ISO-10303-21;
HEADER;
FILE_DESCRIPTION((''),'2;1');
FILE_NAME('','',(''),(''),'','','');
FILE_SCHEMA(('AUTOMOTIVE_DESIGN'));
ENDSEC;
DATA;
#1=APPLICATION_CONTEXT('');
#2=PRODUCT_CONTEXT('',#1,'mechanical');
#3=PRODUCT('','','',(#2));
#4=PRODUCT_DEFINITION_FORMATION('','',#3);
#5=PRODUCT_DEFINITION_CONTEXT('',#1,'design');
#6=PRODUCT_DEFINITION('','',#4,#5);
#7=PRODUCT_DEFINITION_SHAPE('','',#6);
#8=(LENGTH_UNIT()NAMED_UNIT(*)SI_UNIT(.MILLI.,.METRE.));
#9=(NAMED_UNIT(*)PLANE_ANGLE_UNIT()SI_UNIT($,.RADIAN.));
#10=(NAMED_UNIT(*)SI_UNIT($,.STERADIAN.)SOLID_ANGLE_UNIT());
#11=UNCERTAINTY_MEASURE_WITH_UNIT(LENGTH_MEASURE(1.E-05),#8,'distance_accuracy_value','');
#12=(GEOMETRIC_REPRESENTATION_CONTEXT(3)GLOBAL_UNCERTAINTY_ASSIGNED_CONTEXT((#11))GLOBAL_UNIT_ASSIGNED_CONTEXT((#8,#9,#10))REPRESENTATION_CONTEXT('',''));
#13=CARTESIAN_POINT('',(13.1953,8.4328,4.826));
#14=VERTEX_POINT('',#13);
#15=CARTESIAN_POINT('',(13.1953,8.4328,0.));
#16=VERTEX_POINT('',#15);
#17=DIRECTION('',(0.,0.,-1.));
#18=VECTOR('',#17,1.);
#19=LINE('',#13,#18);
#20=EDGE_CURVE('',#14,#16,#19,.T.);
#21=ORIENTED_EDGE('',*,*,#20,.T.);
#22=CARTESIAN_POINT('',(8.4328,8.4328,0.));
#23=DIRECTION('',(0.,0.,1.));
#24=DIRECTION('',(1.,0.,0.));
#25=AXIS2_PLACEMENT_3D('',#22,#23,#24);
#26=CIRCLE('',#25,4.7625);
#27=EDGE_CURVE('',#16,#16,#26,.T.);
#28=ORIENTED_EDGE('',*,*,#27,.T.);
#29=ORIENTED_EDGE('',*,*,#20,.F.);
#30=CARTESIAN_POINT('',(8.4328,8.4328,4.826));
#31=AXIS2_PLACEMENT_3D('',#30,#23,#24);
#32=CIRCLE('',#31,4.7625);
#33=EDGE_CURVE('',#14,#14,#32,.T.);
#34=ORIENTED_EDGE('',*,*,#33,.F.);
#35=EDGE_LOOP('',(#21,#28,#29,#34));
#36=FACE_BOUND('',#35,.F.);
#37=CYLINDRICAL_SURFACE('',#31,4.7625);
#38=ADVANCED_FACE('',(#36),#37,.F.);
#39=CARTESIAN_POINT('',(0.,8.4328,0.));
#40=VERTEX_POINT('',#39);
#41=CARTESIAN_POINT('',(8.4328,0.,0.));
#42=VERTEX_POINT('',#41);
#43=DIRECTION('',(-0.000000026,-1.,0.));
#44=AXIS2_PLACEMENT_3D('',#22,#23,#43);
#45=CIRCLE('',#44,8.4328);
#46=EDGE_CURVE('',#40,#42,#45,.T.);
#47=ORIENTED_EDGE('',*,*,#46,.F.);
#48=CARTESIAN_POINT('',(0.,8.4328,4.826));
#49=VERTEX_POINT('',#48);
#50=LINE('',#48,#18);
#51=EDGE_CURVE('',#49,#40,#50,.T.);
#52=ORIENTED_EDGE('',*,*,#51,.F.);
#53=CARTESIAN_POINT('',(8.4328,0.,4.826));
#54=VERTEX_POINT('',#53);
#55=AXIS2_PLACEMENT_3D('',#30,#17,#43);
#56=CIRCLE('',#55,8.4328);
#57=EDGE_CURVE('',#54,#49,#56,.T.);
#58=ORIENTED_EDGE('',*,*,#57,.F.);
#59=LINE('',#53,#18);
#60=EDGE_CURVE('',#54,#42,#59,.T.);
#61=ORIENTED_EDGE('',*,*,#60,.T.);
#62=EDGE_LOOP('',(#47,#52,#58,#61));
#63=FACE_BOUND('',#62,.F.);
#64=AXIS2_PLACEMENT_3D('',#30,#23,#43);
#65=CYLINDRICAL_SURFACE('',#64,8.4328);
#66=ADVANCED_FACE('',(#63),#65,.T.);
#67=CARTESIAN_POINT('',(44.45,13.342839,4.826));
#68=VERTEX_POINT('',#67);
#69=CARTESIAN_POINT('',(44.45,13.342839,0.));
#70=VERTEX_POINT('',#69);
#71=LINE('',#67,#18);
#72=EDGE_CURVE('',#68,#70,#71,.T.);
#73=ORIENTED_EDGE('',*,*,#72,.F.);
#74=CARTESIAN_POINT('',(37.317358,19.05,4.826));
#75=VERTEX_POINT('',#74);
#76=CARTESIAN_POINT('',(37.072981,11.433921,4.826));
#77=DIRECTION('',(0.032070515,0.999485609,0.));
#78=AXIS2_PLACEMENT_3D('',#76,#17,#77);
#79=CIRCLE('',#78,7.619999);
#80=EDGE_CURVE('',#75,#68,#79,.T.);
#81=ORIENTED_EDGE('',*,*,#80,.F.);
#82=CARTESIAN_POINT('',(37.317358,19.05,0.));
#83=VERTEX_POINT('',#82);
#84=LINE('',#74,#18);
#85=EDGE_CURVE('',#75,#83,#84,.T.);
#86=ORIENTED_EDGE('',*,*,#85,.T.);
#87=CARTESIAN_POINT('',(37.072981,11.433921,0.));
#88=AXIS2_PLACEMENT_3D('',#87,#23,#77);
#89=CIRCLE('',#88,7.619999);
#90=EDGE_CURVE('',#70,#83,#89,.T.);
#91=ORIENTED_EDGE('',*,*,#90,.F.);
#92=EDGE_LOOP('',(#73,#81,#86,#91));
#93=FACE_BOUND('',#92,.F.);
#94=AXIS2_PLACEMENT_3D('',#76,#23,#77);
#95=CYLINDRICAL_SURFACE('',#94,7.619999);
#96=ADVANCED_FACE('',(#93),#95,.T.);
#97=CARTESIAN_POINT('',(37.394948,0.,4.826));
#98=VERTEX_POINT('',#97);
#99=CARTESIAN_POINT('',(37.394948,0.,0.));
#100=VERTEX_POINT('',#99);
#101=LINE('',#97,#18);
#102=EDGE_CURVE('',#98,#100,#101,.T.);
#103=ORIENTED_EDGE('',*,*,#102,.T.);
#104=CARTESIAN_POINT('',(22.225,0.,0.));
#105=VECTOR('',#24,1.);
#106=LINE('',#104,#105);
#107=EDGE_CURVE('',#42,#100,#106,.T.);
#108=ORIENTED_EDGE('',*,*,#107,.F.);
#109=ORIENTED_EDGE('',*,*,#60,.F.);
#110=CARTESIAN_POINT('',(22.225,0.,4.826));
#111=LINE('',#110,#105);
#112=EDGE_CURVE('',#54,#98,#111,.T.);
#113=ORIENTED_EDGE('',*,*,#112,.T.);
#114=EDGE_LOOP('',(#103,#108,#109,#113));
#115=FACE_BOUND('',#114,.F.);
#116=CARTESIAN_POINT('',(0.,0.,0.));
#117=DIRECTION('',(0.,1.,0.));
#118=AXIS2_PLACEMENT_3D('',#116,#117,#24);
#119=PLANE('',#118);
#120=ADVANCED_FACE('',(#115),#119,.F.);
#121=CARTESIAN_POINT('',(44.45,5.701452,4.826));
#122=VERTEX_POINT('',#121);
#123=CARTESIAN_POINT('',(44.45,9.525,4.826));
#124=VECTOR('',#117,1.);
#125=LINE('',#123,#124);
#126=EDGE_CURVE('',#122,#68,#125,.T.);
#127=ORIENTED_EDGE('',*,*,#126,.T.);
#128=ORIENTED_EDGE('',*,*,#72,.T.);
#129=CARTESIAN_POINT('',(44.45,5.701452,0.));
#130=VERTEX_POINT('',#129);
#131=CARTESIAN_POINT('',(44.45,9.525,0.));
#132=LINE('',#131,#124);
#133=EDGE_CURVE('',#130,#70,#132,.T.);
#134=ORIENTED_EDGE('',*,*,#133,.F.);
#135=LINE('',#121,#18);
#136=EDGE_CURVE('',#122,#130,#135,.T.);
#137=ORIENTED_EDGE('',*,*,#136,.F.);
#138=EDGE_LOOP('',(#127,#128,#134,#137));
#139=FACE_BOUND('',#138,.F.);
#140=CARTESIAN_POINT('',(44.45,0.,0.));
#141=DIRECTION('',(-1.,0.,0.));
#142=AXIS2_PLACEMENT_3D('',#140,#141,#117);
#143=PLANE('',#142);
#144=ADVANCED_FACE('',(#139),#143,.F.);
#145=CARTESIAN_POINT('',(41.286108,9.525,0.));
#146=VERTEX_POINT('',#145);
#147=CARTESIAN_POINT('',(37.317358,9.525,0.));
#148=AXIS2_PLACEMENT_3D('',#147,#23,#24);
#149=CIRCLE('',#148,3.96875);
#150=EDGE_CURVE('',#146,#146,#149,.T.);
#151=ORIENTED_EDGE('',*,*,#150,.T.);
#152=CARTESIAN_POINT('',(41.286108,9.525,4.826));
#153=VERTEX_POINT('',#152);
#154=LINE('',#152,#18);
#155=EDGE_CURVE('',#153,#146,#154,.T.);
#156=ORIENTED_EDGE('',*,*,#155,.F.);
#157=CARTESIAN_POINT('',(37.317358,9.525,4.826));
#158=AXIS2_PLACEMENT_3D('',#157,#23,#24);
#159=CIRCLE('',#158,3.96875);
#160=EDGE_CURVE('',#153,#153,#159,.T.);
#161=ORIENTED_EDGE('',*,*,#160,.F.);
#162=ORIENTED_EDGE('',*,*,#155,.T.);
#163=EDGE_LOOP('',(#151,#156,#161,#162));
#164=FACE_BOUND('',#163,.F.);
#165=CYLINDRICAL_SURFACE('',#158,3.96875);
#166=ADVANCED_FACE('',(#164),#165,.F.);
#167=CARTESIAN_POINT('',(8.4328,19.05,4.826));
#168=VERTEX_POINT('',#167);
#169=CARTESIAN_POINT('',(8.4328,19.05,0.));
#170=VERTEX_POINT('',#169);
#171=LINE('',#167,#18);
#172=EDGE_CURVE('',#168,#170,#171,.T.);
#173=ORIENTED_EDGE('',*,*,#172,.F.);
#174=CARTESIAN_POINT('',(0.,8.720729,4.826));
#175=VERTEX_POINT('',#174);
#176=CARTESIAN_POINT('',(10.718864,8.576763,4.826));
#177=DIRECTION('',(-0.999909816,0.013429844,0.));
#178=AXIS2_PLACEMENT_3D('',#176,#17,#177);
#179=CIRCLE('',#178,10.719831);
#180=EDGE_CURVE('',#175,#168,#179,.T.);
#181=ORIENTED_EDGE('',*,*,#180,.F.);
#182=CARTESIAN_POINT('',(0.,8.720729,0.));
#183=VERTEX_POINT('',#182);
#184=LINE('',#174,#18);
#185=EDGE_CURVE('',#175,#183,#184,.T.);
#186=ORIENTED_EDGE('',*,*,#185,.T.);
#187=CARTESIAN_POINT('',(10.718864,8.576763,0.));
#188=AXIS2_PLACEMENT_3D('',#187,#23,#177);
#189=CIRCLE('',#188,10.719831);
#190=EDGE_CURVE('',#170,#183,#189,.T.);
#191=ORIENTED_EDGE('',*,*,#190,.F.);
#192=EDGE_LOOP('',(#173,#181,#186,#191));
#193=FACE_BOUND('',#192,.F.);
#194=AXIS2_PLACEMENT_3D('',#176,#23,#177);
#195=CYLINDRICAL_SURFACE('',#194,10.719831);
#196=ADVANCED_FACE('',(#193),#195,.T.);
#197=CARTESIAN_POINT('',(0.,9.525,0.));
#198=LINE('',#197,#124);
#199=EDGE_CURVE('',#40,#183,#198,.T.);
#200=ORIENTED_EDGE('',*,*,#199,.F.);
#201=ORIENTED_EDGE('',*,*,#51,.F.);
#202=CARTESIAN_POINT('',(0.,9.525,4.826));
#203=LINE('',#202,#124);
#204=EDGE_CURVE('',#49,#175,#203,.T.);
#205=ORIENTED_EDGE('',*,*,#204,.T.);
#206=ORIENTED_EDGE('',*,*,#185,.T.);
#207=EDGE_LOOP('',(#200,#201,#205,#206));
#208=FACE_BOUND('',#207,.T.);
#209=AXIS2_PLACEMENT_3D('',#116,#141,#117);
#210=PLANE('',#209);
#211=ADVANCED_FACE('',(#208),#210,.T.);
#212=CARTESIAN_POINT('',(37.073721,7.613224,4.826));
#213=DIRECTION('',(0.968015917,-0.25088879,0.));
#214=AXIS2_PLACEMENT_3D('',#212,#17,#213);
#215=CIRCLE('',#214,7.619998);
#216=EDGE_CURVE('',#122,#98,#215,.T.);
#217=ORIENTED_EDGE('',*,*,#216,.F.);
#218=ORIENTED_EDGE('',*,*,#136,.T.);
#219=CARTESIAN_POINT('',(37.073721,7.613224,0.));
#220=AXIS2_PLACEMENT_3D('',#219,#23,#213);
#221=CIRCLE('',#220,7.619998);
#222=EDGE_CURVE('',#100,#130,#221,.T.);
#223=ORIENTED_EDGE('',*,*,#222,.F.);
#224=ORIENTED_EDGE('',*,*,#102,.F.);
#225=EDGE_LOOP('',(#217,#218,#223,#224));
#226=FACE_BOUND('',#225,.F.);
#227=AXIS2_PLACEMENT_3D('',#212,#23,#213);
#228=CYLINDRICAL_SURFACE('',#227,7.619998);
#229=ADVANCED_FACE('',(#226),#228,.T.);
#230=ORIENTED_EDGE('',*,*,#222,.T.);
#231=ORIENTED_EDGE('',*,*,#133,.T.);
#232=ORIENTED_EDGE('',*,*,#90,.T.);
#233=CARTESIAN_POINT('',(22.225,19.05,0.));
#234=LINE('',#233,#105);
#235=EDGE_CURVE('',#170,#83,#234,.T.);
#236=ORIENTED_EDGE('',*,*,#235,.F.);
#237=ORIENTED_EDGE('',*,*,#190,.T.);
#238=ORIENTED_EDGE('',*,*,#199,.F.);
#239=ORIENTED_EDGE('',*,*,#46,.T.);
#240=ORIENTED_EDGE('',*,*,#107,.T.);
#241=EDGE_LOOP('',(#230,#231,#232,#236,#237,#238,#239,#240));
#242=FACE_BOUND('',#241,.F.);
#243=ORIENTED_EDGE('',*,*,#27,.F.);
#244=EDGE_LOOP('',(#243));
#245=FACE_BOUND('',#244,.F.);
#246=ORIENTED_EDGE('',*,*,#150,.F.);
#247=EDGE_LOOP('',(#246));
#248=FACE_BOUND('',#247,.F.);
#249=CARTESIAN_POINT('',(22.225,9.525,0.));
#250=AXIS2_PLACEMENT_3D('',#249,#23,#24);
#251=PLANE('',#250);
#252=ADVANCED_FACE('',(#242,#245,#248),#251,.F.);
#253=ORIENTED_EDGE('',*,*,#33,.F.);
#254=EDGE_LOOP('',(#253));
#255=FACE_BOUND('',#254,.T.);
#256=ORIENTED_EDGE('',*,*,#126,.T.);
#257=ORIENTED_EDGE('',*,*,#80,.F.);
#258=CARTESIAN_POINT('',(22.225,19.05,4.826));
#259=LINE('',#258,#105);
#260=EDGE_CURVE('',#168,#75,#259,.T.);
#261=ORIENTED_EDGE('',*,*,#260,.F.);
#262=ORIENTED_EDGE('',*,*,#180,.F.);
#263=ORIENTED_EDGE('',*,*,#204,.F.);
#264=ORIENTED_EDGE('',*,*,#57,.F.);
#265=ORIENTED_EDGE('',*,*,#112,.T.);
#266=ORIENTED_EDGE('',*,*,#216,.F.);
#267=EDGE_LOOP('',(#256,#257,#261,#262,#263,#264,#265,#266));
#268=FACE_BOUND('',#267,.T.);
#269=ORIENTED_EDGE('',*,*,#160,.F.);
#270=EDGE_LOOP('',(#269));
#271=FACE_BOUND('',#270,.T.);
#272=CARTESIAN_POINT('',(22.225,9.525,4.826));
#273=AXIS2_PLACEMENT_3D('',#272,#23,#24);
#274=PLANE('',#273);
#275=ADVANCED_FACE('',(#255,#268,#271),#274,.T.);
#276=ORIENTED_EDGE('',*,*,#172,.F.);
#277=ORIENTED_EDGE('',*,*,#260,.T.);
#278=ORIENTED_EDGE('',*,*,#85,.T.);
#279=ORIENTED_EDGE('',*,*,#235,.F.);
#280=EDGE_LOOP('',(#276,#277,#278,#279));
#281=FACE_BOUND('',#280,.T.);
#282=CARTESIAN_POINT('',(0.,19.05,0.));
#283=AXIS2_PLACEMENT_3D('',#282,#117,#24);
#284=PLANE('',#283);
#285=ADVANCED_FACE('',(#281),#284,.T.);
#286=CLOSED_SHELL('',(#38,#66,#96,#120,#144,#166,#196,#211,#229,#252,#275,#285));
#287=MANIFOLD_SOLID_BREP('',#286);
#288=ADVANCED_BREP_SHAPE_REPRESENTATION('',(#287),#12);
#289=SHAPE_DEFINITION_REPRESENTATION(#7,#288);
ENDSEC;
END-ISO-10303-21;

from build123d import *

# Parameters (mm, degrees)
F0_W     = 44.45
F0_H     = 19.05
F1_DEPTH = 4.826
F2_R     = 4.7625
F2_R_2   = 3.96875
F3_DEPTH = 4.827


with BuildPart() as f1:
    # F0 (on Top) → F1 (new body)
    with BuildSketch(Plane.XY):
        with Locations((22.225, 9.525)):
            Rectangle(F0_W, F0_H)
    extrude(amount=F1_DEPTH)

    # F2 (on face) → F3 (cut, through all)
    with BuildSketch(Plane.XY.offset(4.826)):
        with Locations((8.4328, 8.4328)):
            Circle(F2_R)
        with Locations((37.317358, 9.525)):
            Circle(F2_R_2)
        with BuildLine():
            ThreePointArc((0, 8.720729), (2.414919, 15.35609), (8.4328, 19.05))
            Line((8.4328, 19.05), (0, 19.05))
            Line((0, 19.05), (0, 8.720729))
        make_face()
        with BuildLine():
            Line((0, 0), (8.4328, 0))
            ThreePointArc((8.4328, 0), (2.46991, 2.46991), (0, 8.4328))
            Line((0, 8.4328), (0, 0))
        make_face()
        with BuildLine():
            Line((44.45, 0), (44.45, 5.701452))
            ThreePointArc((44.45, 5.701452), (41.863245, 1.686604), (37.394948, 0))
            Line((37.394948, 0), (44.45, 0))
        make_face()
        with BuildLine():
            ThreePointArc((37.317358, 19.05), (41.833689, 17.383714), (44.45, 13.342839))
            Line((44.45, 13.342839), (44.45, 19.05))
            Line((44.45, 19.05), (37.317358, 19.05))
        make_face()
    extrude(amount=-F3_DEPTH, mode=Mode.SUBTRACT)


solid = f1.part
